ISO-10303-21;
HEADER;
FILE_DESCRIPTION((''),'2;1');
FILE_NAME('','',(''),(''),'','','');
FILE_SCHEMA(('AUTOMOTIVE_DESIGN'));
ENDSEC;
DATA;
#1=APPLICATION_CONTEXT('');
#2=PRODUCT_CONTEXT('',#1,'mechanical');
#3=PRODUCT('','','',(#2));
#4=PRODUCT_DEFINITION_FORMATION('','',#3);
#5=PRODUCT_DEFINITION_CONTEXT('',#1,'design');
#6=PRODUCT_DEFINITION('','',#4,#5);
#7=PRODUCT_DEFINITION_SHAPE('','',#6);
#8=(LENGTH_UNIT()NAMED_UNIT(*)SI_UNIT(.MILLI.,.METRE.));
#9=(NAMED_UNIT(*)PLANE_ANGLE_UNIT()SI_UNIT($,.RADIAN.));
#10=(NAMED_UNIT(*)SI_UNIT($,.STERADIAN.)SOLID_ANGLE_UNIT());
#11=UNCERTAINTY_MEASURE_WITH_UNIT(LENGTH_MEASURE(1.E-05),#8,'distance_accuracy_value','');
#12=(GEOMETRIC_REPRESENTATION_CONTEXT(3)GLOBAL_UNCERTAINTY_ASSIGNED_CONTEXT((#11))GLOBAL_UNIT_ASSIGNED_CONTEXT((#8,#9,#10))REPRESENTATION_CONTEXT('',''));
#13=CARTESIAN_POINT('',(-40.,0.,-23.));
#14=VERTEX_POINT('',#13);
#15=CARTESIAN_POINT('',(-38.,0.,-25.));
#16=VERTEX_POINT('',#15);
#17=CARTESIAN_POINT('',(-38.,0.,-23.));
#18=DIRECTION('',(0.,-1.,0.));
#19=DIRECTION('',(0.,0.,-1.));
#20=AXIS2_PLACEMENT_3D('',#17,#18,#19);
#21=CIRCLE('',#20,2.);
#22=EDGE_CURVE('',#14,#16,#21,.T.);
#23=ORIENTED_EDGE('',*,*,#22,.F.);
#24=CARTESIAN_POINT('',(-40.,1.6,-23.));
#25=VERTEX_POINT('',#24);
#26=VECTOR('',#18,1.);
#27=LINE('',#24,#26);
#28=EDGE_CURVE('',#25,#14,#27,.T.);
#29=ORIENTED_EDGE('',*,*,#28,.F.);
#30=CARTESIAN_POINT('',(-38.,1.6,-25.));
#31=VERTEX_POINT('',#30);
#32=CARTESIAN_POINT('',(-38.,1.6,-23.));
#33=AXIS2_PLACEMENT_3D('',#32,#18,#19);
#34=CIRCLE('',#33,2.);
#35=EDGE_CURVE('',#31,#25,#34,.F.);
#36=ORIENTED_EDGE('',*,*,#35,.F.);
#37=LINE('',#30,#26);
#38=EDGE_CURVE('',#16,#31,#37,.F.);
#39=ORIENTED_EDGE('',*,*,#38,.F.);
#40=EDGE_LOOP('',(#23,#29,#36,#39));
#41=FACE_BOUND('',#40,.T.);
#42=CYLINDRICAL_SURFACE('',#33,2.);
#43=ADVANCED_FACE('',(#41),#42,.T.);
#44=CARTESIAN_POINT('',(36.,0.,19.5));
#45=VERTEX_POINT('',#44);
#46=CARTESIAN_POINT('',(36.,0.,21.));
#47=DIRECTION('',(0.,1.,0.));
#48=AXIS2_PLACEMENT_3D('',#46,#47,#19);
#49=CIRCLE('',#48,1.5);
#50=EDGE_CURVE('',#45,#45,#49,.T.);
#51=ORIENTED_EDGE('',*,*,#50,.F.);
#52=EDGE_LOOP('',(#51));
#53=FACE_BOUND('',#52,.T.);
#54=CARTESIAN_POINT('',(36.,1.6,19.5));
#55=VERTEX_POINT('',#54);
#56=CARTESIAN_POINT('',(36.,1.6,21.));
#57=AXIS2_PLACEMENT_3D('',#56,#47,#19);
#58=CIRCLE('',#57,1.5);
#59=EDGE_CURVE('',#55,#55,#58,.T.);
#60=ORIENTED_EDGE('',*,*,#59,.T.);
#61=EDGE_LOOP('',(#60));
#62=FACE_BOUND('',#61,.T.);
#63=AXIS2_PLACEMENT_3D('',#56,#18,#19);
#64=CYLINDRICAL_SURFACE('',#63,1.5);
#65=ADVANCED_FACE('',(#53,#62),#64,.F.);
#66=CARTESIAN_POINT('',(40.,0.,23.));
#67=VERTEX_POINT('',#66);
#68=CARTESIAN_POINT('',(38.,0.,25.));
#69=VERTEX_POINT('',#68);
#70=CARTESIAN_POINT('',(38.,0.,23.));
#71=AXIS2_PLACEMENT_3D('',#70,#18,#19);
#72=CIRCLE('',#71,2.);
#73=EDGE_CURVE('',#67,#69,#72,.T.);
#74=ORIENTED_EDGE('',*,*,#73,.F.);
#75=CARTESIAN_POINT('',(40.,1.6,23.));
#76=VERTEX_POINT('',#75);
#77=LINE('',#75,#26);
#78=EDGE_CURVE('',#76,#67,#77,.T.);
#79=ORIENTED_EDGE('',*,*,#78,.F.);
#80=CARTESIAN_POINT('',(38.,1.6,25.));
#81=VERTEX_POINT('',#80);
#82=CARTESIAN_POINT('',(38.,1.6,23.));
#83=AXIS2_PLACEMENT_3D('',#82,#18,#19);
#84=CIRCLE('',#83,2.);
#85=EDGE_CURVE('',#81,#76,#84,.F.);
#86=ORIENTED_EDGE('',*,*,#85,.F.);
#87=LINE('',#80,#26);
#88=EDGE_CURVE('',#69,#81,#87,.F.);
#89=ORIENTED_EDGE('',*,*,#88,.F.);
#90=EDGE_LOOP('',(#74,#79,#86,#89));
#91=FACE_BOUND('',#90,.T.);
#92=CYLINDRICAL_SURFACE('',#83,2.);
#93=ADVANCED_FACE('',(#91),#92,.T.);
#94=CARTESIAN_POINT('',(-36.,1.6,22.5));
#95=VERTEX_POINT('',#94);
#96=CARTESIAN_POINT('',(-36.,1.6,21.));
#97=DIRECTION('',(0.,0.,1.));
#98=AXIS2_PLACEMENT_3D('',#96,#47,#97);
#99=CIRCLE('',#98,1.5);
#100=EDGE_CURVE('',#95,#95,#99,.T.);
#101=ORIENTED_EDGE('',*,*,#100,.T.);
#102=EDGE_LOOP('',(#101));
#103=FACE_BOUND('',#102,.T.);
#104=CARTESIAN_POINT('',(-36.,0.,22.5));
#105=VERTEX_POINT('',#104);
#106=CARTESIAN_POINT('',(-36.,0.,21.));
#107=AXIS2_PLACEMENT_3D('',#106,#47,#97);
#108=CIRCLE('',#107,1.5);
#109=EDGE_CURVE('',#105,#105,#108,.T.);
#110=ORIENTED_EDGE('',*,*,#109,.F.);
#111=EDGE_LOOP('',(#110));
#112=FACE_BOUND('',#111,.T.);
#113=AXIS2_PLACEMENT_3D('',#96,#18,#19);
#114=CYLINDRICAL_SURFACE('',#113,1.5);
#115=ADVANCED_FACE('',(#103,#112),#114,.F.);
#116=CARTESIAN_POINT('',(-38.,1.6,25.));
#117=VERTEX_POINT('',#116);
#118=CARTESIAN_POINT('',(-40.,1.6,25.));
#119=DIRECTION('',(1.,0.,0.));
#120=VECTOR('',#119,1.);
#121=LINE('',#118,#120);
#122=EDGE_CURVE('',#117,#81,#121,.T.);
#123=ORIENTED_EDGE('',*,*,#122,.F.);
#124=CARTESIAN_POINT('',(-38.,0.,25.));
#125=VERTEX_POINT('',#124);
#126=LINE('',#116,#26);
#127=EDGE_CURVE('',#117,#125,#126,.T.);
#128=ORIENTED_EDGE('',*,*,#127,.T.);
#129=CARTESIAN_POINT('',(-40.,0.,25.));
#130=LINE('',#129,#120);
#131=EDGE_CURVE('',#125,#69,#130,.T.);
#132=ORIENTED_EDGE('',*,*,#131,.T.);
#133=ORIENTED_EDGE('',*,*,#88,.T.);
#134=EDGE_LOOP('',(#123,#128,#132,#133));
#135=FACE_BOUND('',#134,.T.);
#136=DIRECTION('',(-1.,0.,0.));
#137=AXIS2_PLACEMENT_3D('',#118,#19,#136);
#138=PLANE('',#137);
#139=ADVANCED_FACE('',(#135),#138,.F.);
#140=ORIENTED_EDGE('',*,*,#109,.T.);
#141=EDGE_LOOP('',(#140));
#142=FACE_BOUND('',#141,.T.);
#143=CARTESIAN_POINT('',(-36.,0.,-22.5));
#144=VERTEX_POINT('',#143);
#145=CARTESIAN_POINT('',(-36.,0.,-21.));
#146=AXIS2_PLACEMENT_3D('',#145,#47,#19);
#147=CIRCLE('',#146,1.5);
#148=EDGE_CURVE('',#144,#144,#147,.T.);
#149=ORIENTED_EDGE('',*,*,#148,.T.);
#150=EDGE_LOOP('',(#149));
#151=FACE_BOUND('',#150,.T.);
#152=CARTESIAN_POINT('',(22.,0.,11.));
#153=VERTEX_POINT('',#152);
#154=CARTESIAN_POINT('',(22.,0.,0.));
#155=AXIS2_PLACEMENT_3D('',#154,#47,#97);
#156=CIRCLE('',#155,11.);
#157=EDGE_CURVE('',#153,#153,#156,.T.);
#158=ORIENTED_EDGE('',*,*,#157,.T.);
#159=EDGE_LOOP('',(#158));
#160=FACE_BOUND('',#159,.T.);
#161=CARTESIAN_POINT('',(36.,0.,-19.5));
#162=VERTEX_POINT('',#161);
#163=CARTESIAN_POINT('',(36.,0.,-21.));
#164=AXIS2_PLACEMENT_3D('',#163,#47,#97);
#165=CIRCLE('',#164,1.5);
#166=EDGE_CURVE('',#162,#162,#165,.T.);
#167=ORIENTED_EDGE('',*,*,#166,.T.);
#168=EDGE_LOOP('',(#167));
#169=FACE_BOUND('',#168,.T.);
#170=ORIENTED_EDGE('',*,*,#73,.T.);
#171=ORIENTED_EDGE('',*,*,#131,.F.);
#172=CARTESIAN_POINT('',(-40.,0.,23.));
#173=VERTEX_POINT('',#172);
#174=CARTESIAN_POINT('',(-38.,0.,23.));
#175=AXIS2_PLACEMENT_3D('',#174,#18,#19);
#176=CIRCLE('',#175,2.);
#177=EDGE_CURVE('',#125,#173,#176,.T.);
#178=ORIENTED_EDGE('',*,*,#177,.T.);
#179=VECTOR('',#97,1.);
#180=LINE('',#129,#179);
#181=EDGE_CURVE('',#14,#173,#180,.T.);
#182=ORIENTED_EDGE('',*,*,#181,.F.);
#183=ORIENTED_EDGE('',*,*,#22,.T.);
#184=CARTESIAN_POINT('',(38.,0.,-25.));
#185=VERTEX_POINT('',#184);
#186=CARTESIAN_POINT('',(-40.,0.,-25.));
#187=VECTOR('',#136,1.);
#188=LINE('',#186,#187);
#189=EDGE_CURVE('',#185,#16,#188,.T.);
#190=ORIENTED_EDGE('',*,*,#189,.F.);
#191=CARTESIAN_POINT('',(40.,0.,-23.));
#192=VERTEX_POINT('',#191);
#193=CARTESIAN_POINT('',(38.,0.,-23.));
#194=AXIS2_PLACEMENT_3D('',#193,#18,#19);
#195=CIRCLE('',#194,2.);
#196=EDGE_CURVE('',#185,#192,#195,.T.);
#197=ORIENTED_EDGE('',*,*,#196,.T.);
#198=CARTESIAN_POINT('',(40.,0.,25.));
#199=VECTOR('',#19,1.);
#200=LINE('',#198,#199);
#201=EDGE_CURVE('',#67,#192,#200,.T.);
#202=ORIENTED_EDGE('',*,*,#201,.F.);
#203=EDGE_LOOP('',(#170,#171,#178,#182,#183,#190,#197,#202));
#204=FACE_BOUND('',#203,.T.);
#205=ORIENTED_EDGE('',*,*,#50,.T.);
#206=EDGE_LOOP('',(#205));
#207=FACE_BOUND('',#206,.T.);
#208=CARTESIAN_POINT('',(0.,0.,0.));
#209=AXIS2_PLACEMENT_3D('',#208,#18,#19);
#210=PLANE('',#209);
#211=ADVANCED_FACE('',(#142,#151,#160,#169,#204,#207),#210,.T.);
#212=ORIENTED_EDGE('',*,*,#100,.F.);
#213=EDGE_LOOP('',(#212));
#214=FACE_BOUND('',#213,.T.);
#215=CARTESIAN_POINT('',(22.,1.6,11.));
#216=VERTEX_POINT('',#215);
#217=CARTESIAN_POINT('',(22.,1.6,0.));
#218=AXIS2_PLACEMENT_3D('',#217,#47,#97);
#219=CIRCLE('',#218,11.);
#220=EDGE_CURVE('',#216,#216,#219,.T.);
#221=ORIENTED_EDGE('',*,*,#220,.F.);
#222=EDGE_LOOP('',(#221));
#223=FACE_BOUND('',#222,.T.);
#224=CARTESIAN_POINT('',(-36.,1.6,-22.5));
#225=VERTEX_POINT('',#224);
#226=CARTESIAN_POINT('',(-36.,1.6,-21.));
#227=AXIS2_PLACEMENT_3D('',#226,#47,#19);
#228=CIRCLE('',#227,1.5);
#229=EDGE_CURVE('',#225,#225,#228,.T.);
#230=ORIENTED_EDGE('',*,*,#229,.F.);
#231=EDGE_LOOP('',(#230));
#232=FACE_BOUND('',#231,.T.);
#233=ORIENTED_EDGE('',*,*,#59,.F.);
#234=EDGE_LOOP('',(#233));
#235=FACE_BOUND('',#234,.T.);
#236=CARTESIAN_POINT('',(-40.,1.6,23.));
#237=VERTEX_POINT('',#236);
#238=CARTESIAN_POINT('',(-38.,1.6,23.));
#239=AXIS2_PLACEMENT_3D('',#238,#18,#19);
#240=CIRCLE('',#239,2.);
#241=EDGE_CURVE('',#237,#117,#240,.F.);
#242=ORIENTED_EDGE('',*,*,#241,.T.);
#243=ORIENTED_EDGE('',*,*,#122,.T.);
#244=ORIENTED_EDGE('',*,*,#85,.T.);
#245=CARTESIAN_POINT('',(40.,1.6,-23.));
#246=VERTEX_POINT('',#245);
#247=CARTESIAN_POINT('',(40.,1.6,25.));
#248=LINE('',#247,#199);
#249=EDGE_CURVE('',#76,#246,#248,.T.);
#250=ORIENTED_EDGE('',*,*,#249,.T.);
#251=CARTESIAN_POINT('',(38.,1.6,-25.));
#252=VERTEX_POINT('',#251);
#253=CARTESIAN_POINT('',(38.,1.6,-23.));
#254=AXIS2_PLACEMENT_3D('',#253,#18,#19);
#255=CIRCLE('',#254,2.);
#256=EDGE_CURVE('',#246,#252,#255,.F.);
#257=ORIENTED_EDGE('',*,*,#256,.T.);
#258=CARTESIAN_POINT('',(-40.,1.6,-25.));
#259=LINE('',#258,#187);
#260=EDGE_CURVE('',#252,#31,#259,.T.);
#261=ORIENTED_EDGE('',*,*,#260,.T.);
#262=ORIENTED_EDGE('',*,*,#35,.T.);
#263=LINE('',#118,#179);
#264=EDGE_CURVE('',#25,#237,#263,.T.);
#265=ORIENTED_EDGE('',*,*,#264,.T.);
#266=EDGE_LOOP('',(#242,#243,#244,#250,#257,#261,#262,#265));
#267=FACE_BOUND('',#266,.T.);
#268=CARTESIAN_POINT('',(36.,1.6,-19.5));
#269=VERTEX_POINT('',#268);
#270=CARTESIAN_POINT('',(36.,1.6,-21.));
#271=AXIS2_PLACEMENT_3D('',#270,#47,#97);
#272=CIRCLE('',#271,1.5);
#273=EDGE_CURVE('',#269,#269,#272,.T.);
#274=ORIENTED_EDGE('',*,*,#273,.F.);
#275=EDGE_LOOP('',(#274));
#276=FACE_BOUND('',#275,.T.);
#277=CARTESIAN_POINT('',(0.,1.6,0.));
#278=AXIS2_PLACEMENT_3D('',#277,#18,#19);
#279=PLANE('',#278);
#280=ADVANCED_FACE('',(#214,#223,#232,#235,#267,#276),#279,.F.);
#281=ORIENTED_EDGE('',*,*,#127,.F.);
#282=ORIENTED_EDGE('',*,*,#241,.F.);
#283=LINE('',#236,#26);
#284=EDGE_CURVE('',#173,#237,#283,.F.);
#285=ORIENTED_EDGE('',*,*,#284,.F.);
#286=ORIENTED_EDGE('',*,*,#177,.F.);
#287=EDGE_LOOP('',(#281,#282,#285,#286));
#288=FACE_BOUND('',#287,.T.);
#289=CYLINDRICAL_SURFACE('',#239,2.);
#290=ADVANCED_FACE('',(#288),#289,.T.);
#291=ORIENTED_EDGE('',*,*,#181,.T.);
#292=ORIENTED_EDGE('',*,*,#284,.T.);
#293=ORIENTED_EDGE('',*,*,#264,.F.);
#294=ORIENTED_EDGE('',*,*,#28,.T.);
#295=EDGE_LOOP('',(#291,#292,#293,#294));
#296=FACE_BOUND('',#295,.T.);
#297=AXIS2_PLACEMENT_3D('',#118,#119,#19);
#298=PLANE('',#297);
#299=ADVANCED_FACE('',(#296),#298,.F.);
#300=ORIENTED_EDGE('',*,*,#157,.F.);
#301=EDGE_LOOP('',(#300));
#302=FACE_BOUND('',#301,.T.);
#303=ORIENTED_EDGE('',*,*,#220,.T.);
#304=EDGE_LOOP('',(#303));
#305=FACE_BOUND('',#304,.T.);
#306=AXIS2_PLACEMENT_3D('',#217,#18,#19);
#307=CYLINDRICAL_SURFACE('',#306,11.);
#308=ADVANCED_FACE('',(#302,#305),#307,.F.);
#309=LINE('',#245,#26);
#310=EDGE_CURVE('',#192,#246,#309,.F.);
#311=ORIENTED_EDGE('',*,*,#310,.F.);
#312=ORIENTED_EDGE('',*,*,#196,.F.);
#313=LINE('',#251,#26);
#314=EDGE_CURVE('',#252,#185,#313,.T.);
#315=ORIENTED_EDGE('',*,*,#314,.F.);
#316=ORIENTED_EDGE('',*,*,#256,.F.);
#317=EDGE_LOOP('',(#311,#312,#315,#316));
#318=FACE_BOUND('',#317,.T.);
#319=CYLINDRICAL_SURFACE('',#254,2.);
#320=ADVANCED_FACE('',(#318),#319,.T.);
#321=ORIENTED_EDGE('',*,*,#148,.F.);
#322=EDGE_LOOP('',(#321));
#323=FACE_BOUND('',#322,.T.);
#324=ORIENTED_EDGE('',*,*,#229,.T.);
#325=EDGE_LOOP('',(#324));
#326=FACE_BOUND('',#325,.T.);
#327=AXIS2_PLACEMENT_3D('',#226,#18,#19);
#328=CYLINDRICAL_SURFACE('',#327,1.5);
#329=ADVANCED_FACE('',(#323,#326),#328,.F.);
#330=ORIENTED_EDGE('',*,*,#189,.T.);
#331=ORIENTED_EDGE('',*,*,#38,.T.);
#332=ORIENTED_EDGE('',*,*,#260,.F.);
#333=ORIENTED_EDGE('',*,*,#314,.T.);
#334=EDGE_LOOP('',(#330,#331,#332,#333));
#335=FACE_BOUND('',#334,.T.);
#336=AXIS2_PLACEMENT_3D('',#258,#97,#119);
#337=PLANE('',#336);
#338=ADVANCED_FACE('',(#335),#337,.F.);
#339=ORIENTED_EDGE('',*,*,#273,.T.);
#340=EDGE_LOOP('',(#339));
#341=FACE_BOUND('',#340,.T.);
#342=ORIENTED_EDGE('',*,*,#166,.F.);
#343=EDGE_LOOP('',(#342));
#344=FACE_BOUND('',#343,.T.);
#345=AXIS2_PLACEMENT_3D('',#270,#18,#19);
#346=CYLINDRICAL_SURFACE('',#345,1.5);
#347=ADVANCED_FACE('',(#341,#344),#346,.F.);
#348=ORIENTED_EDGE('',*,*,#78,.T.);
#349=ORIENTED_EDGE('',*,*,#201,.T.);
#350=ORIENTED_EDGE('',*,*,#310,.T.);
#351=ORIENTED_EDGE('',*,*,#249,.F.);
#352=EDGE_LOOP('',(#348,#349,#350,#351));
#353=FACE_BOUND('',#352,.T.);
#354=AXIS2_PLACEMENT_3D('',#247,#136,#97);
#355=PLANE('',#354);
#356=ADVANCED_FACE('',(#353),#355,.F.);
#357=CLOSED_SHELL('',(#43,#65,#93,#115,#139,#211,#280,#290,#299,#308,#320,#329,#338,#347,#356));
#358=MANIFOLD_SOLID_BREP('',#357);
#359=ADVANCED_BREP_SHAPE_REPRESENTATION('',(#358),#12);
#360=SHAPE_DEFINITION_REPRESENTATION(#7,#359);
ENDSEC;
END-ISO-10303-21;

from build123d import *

# Parameters (mm, degrees)
SKETCH_1_W      = 80
SKETCH_1_H      = 50
SKETCH_1_R      = 1.5
SKETCH_1_R_2    = 11
EXTRUDE_1_DEPTH = 1.6
FILLET_1_R      = 2


with BuildPart() as part:
    # 草图1 → 凸台-拉伸1 (new body)
    with BuildSketch(Plane(origin=(0, 0, 0), x_dir=(1, 0, 0), z_dir=(0, 1, 0))):
        Rectangle(SKETCH_1_W, SKETCH_1_H)
        with Locations(Location((36, 21, 0), (0, 0, 270))):
            Circle(SKETCH_1_R, mode=Mode.SUBTRACT)
        with Locations(Location((36, -21, 0), (0, 0, 90))):
            Circle(SKETCH_1_R, mode=Mode.SUBTRACT)
        with Locations(Location((-36, -21, 0), (0, 0, 270))):
            Circle(SKETCH_1_R, mode=Mode.SUBTRACT)
        with Locations(Location((-36, 21, 0), (0, 0, 90))):
            Circle(SKETCH_1_R, mode=Mode.SUBTRACT)
        with Locations(Location((22, 0, 0), (0, 0, 270))):
            Circle(SKETCH_1_R_2, mode=Mode.SUBTRACT)
    extrude(amount=EXTRUDE_1_DEPTH)

    # 圆角1
    fillet_1_edges = [part.edges().sort_by_distance(p)[0] for p in [
        (40, 0.8, 25),
        (-40, 0.8, 25),
        (-40, 0.8, -25),
        (40, 0.8, -25),
    ]]
    fillet(fillet_1_edges, radius=FILLET_1_R)


solid = part.part
